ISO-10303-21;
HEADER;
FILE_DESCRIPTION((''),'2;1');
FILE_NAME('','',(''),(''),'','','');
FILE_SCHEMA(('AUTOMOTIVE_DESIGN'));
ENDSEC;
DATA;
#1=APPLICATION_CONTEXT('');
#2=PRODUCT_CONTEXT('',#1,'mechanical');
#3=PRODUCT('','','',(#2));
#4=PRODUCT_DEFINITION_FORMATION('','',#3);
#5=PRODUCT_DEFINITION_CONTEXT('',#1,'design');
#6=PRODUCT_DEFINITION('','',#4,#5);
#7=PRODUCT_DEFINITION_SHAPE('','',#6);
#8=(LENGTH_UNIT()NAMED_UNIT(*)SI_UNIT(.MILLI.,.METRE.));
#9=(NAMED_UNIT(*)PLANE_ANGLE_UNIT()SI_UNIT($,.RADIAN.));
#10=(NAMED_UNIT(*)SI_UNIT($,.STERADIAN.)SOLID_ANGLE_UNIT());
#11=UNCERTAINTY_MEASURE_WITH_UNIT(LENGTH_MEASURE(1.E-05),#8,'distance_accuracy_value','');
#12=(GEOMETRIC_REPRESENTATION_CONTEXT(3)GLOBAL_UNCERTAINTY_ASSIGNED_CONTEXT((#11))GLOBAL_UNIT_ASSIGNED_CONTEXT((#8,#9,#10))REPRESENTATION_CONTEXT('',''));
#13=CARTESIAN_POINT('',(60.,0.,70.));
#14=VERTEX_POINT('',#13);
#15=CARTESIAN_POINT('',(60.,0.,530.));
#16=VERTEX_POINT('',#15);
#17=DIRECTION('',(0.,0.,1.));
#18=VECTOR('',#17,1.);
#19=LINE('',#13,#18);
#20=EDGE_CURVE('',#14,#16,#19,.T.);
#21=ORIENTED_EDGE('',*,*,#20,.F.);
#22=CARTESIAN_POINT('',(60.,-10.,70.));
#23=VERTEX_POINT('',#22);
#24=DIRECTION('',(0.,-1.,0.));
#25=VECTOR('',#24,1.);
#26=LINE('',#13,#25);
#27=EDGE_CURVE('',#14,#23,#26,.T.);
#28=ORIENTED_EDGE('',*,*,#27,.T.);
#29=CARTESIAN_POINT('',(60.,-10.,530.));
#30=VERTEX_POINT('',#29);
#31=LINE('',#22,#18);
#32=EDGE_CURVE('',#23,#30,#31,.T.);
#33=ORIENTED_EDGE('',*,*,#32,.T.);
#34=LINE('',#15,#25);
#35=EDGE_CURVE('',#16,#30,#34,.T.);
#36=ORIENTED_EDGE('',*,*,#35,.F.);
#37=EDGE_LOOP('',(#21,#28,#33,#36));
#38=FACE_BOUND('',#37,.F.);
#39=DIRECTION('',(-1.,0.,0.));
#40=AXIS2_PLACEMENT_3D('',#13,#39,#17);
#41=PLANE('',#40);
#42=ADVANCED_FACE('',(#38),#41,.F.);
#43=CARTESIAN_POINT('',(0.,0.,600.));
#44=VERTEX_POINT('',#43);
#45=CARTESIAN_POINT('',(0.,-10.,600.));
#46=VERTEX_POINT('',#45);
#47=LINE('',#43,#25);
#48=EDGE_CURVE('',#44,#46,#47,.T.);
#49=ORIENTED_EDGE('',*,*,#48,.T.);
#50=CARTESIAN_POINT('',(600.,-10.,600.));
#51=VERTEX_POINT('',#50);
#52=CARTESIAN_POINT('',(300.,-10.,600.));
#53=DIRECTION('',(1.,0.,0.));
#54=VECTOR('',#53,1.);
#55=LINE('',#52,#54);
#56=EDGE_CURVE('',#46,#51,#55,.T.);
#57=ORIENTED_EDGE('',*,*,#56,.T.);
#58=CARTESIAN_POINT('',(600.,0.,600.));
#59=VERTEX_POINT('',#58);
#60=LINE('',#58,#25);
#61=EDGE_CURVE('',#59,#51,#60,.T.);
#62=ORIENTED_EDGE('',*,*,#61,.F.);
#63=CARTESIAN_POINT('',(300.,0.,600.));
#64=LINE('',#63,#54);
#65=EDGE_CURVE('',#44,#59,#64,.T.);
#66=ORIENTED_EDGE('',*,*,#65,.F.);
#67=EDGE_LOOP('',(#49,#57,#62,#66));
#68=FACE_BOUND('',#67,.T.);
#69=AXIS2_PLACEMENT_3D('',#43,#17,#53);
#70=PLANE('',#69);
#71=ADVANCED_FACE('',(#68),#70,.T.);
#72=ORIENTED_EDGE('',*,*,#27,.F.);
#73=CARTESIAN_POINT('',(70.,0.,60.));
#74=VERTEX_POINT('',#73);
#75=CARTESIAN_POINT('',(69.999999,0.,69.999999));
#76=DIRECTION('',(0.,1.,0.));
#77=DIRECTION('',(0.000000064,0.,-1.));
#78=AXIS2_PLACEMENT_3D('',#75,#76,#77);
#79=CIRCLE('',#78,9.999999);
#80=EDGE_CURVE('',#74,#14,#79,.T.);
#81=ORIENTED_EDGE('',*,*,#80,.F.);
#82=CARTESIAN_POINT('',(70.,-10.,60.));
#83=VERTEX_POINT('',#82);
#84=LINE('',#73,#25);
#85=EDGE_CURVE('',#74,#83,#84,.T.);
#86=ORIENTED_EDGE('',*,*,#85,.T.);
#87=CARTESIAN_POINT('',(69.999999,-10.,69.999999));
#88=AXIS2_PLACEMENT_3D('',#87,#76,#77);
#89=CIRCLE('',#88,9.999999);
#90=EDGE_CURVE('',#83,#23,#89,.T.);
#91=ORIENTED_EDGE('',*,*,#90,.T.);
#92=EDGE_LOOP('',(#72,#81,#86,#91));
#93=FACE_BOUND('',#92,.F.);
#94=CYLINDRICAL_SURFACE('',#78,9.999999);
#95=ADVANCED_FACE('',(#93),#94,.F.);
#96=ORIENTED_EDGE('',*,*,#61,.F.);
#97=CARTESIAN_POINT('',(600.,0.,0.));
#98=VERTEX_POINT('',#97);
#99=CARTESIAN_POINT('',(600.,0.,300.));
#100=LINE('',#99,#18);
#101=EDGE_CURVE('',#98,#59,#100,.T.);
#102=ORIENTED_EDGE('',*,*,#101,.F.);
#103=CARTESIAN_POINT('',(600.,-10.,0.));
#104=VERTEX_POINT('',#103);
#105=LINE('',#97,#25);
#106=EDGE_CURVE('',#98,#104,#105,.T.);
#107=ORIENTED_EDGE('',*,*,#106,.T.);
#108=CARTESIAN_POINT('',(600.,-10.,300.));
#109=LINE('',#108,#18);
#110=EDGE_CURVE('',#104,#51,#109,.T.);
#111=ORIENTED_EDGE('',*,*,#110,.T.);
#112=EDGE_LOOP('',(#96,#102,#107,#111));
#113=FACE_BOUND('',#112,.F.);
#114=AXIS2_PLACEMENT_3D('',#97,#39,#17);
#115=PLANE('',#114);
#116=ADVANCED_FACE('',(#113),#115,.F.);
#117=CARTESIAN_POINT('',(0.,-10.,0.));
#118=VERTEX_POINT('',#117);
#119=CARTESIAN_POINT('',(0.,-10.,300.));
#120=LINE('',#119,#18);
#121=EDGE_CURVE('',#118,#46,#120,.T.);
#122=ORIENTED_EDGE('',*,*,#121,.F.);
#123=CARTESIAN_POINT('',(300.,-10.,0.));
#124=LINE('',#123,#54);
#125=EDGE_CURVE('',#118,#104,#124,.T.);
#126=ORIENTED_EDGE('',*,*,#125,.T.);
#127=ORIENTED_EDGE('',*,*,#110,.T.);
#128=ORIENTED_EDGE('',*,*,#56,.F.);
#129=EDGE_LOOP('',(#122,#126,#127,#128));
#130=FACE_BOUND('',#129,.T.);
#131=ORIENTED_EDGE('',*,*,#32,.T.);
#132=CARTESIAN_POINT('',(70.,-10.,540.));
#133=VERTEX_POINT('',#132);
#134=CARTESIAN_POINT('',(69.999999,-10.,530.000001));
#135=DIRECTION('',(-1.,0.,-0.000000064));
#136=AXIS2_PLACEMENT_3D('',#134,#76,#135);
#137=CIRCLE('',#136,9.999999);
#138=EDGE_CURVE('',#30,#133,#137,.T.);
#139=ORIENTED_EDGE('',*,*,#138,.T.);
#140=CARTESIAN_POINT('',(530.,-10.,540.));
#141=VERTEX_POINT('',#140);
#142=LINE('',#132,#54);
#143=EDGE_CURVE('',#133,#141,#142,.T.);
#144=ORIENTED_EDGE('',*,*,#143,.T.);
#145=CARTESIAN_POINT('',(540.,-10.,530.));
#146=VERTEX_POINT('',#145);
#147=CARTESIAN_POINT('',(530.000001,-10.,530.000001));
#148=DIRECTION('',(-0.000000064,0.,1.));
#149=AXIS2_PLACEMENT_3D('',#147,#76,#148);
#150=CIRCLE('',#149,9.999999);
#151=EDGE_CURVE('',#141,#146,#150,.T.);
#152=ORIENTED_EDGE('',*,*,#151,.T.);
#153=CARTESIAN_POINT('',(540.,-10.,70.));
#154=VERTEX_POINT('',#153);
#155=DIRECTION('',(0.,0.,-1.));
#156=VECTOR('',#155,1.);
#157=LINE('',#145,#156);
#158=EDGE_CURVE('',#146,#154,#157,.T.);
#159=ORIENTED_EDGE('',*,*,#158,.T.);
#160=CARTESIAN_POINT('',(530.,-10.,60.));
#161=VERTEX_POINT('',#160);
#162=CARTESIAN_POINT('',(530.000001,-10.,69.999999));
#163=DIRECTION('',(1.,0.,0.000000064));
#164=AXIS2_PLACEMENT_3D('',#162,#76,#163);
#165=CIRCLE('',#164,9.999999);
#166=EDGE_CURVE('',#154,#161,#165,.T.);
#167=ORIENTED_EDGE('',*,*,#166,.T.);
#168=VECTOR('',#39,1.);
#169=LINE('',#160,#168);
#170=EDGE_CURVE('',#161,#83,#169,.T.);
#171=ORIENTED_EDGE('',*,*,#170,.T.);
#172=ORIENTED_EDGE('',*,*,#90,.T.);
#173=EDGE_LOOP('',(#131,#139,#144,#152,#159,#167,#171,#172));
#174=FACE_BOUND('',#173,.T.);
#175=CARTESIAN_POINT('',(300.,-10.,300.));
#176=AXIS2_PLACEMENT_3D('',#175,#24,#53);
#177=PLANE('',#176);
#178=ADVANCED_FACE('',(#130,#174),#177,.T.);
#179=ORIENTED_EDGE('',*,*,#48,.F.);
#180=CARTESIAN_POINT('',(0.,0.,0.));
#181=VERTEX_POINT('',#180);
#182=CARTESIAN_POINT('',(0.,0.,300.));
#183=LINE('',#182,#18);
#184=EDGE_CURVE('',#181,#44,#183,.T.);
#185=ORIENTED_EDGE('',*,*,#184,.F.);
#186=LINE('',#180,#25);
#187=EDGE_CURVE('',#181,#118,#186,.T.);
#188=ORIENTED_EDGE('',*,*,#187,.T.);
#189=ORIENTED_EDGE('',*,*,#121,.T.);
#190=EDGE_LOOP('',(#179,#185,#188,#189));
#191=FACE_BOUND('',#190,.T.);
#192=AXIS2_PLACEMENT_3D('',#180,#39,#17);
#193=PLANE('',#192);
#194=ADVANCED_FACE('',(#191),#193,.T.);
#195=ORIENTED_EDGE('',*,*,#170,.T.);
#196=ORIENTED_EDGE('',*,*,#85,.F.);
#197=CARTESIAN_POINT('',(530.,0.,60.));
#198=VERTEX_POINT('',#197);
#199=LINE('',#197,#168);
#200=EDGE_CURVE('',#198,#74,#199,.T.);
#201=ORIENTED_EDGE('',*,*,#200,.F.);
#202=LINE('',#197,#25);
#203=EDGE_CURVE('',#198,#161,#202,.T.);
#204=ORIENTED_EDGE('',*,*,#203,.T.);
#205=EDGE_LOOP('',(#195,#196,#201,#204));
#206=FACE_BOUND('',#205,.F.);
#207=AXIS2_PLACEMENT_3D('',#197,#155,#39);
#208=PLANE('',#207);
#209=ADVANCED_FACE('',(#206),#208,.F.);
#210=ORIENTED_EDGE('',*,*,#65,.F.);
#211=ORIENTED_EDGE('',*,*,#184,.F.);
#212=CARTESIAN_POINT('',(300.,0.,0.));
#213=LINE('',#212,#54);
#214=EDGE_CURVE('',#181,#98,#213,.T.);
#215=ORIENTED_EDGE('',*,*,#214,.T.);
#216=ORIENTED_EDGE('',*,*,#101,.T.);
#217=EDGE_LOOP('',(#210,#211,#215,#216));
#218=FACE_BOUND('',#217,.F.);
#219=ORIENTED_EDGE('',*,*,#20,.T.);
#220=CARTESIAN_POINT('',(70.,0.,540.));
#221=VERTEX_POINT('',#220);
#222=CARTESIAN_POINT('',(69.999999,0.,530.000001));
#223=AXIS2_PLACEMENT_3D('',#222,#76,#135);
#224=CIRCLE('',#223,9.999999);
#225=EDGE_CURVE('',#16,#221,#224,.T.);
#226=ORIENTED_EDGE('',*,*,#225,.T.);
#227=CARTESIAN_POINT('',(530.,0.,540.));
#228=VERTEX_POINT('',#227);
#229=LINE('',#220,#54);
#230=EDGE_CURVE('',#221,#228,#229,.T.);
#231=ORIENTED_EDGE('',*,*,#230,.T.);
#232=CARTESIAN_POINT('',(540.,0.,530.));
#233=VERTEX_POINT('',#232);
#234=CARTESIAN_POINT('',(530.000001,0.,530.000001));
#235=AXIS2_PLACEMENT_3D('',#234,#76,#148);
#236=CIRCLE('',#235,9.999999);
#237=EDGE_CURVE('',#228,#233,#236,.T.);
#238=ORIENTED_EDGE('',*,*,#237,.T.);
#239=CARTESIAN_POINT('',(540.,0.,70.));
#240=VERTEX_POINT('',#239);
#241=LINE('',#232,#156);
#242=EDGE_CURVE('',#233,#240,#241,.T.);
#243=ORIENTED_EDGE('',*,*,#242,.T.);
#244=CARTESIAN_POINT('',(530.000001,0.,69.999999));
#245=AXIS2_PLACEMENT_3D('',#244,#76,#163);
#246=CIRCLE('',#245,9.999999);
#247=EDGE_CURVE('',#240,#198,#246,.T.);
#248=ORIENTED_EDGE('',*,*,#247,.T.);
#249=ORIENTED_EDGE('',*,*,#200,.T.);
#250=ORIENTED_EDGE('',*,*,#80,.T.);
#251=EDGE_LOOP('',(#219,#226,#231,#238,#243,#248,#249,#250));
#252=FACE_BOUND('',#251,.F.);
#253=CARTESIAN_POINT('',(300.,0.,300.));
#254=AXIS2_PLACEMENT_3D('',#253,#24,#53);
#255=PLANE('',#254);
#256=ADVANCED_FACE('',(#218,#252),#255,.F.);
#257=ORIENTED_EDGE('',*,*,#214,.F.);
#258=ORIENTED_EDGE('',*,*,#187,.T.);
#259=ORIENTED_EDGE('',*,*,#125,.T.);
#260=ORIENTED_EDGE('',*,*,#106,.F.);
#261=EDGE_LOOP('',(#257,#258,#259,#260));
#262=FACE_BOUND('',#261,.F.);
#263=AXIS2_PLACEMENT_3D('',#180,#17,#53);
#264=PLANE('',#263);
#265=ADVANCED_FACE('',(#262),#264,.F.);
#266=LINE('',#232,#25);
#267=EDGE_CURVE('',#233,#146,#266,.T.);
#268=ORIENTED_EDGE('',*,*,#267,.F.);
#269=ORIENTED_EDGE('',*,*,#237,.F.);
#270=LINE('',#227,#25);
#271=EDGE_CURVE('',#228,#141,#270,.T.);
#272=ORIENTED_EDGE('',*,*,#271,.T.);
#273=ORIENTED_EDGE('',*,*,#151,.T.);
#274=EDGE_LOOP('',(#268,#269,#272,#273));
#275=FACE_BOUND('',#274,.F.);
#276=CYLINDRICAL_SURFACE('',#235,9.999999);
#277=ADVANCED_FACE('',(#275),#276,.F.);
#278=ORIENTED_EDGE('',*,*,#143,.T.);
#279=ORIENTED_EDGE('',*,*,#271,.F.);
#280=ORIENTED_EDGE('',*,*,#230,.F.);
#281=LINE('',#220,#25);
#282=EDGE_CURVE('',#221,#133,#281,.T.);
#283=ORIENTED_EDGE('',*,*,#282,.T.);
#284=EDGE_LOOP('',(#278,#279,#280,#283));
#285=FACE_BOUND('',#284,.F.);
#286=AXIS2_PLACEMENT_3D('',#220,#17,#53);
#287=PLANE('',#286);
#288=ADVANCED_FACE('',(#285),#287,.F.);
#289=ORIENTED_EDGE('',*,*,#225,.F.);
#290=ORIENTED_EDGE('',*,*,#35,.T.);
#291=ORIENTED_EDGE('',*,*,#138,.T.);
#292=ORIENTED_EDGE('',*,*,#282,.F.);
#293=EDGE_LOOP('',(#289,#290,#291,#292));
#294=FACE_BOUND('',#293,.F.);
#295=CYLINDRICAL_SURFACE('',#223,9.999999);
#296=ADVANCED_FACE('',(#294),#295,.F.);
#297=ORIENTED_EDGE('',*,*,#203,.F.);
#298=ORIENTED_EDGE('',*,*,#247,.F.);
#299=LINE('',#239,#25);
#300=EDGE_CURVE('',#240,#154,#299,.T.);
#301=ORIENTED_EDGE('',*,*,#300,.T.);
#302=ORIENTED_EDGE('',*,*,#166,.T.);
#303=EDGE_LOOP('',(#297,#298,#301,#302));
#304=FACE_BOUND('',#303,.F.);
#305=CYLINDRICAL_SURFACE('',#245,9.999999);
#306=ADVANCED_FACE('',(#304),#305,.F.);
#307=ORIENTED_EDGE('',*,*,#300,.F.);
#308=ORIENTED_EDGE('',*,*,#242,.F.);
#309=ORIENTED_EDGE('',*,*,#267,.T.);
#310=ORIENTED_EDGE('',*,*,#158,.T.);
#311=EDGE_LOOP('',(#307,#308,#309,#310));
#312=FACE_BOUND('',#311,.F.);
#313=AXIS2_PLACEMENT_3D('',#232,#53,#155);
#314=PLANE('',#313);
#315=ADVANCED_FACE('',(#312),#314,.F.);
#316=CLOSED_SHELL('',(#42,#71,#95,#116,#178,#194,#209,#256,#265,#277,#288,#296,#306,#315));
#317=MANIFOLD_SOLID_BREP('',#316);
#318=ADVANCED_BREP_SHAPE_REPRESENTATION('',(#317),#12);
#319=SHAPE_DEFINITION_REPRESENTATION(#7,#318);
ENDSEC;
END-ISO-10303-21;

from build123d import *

# Parameters (mm, degrees)
F0_W     = 600
F0_H     = 600
F1_DEPTH = 10


with BuildPart() as f1:
    # F0 (on Front) → F1 (new body)
    with BuildSketch(Plane.XZ):
        with Locations((300, 300)):
            Rectangle(F0_W, F0_H)
        with BuildLine():
            ThreePointArc((60, 530), (62.928932, 537.071068), (70, 540))
            Line((70, 540), (530, 540))
            ThreePointArc((530, 540), (537.071068, 537.071068), (540, 530))
            Line((540, 530), (540, 70))
            ThreePointArc((540, 70), (537.071068, 62.928932), (530, 60))
            Line((530, 60), (70, 60))
            ThreePointArc((70, 60), (62.928932, 62.928932), (60, 70))
            Line((60, 70), (60, 530))
        make_face(mode=Mode.SUBTRACT)
    extrude(amount=F1_DEPTH)


solid = f1.part
